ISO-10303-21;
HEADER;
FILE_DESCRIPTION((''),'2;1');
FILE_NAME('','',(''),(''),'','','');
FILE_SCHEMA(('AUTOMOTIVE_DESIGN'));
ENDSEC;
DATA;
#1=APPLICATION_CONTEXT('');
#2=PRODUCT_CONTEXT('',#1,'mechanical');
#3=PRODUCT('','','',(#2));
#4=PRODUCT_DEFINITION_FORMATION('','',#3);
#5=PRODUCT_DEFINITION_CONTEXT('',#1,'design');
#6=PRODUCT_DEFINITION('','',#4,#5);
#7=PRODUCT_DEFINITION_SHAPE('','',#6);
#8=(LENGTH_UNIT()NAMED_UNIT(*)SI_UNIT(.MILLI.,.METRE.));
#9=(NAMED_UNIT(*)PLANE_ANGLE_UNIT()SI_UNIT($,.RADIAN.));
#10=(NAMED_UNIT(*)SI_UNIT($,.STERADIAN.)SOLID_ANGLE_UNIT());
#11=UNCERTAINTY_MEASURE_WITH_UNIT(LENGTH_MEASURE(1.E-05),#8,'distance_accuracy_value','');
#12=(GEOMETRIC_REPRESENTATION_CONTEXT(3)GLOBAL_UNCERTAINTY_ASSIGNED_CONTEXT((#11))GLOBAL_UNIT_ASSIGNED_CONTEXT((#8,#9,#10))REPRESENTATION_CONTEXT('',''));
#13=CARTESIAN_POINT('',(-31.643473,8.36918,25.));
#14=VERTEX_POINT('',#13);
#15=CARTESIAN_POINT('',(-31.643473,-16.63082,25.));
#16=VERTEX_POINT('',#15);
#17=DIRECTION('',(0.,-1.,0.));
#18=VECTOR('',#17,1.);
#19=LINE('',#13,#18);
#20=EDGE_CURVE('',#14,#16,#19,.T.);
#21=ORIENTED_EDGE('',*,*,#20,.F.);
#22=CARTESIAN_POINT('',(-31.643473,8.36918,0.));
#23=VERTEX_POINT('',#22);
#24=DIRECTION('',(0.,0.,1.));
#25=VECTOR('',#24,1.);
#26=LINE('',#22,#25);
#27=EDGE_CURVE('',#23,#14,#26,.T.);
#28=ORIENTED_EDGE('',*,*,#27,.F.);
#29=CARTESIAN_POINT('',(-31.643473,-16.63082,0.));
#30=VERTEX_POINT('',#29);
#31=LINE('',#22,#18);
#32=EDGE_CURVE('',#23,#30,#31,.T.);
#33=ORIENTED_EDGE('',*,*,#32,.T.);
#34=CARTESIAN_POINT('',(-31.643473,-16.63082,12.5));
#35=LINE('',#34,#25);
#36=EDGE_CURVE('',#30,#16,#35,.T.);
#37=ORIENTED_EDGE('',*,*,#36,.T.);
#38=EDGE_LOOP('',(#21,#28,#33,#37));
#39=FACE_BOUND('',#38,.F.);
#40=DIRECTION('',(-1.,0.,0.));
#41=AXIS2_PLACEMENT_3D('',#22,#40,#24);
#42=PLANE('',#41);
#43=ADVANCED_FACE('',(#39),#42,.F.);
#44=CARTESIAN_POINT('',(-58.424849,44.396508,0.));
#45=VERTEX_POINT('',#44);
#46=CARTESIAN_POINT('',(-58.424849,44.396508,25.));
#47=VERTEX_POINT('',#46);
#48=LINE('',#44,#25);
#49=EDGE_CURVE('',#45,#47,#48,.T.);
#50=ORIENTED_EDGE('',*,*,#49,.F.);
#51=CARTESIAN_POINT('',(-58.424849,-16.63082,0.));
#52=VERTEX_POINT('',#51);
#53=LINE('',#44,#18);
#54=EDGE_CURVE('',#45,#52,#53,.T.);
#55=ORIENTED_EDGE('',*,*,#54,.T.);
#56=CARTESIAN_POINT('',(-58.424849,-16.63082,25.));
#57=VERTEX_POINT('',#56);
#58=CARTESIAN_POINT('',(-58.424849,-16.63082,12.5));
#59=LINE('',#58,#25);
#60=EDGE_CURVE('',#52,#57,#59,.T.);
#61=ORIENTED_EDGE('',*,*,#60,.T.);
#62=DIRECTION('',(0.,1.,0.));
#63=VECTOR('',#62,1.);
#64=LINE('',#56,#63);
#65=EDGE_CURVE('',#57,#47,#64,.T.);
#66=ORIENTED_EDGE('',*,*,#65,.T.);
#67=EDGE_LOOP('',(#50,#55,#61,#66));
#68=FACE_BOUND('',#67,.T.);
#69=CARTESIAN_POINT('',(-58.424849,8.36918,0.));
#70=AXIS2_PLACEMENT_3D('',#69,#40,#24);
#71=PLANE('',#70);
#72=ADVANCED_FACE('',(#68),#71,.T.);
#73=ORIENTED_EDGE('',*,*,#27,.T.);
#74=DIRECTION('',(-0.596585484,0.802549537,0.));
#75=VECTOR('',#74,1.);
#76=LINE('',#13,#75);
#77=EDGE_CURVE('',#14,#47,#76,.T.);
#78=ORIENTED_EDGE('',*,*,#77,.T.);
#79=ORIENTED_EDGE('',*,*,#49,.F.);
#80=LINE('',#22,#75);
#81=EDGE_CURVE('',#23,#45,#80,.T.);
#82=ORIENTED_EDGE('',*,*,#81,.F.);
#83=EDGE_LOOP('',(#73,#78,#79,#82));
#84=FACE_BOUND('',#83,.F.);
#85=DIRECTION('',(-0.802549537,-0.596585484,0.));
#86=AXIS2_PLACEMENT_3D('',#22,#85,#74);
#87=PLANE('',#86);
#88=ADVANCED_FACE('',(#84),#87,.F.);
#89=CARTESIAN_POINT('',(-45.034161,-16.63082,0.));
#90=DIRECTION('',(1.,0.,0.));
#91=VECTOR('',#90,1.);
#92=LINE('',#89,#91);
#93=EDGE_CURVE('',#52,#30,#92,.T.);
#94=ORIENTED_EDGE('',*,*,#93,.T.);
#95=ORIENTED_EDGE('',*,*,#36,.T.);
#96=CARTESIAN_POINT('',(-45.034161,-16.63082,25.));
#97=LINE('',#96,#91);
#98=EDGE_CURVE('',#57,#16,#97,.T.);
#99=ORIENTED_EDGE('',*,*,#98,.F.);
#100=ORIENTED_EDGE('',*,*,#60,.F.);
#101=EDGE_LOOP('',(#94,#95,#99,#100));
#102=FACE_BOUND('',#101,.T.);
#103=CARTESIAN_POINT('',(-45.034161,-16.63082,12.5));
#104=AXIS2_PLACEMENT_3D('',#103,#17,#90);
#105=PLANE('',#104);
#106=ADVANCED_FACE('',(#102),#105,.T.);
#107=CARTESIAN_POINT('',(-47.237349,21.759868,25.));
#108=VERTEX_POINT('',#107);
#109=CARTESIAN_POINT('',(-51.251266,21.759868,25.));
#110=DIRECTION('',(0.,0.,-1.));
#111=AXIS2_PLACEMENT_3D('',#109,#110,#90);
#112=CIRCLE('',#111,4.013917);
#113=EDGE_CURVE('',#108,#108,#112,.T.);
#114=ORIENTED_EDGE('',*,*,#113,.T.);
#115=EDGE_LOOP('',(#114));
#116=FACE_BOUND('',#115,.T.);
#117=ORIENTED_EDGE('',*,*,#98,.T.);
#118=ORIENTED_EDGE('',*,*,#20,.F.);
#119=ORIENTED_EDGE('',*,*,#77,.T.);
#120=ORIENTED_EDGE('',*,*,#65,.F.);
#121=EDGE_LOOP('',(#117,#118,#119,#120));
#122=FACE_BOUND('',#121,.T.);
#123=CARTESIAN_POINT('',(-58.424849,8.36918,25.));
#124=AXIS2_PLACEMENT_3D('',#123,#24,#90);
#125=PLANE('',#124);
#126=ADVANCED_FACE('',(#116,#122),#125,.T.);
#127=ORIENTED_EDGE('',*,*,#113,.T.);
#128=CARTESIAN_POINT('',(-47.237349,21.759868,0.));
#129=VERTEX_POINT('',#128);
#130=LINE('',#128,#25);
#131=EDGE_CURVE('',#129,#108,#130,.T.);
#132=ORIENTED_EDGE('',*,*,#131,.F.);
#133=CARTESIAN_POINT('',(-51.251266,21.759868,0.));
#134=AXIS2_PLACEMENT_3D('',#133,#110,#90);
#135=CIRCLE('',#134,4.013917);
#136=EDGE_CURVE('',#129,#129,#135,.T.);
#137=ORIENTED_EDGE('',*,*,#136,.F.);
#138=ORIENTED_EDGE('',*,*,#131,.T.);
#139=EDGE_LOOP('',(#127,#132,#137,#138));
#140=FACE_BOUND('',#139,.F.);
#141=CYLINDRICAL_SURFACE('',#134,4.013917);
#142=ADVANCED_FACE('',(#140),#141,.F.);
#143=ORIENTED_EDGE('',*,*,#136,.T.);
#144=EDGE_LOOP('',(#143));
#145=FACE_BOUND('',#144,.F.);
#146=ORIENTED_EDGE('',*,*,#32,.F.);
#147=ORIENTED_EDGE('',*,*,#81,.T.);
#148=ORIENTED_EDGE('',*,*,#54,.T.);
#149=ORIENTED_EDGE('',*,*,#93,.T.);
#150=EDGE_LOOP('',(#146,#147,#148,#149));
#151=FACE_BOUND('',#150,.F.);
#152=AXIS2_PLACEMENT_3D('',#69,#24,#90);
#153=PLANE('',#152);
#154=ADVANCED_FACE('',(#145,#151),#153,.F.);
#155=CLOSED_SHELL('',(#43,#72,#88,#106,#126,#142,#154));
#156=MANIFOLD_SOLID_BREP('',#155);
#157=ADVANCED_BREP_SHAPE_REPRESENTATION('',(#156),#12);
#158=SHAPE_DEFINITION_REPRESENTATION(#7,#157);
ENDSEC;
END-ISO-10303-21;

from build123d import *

# Parameters (mm, degrees)
F1_DEPTH  = 25
F1_FACE_W = 26.781376
F1_FACE_H = 25
F2_DEPTH  = 25
F3_R      = 4.013917
F4_DEPTH  = 25.001


with BuildPart() as f1:
    # F0 (on Top) → F1 (new body)
    with BuildSketch(Plane.XY):
        Polygon((-31.643473, 8.36918), (-58.424849, 44.396508), (-58.424849, 8.36918), align=None)
    extrude(amount=F1_DEPTH)

    # F1_face (on face) → F2 (join)
    with BuildSketch(Plane(origin=(-45.034161, 8.36918, 12.5), x_dir=(1, 0, 0), z_dir=(0, -1, 0))):
        Rectangle(F1_FACE_W, F1_FACE_H)
    extrude(amount=F2_DEPTH)

    # F3 (on face) → F4 (cut, through all)
    with BuildSketch(Plane(origin=(0, 0, 0), x_dir=(1, 0, 0), z_dir=(0, 0, -1))):
        with Locations((-51.251266, -21.759868)):
            Circle(F3_R)
    extrude(amount=-F4_DEPTH, mode=Mode.SUBTRACT)


solid = f1.part
